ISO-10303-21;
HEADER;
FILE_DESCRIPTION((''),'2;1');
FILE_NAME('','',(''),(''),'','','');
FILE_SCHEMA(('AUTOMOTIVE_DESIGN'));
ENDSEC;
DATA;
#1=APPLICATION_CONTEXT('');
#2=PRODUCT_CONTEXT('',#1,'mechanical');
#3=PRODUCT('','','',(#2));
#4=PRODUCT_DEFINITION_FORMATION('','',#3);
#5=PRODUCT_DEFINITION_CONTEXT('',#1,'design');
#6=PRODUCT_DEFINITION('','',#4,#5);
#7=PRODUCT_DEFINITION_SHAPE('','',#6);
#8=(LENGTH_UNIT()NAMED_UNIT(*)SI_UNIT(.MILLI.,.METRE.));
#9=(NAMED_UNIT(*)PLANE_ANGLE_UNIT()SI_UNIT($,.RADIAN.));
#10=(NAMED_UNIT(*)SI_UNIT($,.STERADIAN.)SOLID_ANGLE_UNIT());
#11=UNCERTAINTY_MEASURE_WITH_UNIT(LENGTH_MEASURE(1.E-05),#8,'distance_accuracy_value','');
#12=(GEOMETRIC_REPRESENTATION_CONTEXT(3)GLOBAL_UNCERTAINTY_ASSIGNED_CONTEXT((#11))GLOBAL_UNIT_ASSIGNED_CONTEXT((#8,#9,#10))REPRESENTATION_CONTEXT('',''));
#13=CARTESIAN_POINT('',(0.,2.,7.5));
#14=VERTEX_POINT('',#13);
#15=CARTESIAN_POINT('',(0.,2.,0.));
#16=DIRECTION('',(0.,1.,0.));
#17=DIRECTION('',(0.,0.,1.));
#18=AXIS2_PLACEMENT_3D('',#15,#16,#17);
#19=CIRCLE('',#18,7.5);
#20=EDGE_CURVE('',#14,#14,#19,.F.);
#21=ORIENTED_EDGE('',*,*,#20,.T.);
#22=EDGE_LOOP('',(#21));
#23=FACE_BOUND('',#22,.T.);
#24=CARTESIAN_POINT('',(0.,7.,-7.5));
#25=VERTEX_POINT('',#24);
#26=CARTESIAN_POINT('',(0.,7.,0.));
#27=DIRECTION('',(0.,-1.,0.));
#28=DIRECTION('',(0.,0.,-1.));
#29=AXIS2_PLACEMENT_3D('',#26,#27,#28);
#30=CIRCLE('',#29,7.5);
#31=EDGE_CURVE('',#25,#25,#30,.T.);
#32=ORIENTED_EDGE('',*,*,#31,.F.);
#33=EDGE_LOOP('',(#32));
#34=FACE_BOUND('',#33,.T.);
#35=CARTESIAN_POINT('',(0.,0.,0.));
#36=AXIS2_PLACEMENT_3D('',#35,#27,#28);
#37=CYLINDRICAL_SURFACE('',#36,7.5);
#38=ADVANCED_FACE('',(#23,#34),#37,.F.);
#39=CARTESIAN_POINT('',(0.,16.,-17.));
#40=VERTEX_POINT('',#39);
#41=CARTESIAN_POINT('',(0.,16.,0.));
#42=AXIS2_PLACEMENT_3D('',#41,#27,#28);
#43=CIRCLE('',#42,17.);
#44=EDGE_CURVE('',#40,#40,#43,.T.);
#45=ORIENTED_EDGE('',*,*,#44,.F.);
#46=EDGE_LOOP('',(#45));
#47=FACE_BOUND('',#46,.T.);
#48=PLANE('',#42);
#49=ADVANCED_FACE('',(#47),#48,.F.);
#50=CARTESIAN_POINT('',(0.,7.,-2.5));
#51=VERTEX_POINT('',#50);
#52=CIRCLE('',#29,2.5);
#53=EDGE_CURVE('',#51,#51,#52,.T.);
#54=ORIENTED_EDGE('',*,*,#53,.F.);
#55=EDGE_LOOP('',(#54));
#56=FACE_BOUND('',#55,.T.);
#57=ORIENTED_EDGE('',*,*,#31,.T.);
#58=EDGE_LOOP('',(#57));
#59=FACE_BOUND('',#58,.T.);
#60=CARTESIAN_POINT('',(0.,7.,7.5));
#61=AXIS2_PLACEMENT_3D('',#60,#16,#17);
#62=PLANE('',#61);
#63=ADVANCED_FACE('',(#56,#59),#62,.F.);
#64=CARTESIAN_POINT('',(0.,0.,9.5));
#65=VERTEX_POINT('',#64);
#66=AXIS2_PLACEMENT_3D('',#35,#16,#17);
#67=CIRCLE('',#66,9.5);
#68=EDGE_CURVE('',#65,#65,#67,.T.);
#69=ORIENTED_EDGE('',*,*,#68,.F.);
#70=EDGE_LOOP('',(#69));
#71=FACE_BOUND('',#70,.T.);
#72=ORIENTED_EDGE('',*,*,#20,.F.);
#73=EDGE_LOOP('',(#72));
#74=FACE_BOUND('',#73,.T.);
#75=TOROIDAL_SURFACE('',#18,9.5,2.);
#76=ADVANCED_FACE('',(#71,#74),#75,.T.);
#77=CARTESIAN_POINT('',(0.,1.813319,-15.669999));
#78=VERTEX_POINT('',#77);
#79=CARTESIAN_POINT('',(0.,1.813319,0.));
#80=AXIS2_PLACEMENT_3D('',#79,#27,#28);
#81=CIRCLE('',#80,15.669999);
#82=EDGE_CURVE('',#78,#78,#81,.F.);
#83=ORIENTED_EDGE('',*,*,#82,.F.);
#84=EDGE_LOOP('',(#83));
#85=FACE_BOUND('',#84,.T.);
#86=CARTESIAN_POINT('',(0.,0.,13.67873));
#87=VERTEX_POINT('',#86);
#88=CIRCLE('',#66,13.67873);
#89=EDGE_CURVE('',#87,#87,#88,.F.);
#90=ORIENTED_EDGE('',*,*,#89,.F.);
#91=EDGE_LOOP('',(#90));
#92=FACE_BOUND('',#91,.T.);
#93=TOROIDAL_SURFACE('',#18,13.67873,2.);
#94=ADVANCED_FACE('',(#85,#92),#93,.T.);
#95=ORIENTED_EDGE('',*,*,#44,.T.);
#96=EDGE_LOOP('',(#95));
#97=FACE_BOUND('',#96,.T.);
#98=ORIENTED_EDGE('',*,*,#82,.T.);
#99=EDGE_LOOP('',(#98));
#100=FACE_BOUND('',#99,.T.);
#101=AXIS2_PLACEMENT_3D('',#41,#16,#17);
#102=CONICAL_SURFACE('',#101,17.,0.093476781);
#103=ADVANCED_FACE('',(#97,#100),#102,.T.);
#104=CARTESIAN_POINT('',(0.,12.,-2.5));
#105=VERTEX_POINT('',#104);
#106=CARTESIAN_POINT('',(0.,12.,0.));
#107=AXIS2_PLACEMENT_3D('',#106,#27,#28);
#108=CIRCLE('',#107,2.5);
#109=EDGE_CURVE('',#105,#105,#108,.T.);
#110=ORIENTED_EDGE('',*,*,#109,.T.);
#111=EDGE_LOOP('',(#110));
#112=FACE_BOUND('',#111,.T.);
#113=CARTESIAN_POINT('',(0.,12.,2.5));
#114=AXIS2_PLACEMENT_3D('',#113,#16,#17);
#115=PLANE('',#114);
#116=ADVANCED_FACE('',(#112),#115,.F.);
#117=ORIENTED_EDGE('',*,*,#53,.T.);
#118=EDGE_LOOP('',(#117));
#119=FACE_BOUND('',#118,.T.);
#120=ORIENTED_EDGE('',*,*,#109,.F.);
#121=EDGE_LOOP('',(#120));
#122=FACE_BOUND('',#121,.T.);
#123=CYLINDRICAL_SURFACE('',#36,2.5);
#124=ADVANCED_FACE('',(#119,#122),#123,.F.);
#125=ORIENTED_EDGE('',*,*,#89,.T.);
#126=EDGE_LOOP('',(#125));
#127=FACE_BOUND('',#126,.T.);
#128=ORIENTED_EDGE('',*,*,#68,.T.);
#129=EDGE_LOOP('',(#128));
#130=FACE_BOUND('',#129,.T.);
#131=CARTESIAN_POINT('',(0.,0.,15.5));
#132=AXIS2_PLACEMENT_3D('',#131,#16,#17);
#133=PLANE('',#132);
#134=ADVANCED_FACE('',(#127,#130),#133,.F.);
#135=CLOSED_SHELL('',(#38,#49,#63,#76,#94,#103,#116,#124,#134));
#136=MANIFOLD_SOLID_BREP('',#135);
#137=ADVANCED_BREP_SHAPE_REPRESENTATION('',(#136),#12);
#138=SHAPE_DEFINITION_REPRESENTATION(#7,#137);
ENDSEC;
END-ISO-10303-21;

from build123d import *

# Parameters (mm, degrees)
REDONDEO1_R = 2


with BuildPart() as part:
    # Croquis1 → Revolución1 (revolve)
    with BuildSketch(Plane(origin=(0, 0, 0), x_dir=(0, 0, -1), z_dir=(1, 0, 0)), mode=Mode.PRIVATE) as revoluci_n1_sk:
        Polygon((0, 16), (-17, 16), (-15.5, 0), (-7.5, 0), (-7.5, 7), (-2.5, 7), (-2.5, 12), (0, 12), align=None)
    revolve(revoluci_n1_sk.sketch.rotate(Axis((0, 0, 0), (0, 1, 0)), 180), axis=Axis((0, 0, 0), (0, 1, 0)))

    # Redondeo1
    redondeo1_edges = [part.edges().sort_by_distance(p)[0] for p in [
        (0, 0, 7.5),
        (0, 0, 15.5),
    ]]
    fillet(redondeo1_edges, radius=REDONDEO1_R)


solid = part.part
